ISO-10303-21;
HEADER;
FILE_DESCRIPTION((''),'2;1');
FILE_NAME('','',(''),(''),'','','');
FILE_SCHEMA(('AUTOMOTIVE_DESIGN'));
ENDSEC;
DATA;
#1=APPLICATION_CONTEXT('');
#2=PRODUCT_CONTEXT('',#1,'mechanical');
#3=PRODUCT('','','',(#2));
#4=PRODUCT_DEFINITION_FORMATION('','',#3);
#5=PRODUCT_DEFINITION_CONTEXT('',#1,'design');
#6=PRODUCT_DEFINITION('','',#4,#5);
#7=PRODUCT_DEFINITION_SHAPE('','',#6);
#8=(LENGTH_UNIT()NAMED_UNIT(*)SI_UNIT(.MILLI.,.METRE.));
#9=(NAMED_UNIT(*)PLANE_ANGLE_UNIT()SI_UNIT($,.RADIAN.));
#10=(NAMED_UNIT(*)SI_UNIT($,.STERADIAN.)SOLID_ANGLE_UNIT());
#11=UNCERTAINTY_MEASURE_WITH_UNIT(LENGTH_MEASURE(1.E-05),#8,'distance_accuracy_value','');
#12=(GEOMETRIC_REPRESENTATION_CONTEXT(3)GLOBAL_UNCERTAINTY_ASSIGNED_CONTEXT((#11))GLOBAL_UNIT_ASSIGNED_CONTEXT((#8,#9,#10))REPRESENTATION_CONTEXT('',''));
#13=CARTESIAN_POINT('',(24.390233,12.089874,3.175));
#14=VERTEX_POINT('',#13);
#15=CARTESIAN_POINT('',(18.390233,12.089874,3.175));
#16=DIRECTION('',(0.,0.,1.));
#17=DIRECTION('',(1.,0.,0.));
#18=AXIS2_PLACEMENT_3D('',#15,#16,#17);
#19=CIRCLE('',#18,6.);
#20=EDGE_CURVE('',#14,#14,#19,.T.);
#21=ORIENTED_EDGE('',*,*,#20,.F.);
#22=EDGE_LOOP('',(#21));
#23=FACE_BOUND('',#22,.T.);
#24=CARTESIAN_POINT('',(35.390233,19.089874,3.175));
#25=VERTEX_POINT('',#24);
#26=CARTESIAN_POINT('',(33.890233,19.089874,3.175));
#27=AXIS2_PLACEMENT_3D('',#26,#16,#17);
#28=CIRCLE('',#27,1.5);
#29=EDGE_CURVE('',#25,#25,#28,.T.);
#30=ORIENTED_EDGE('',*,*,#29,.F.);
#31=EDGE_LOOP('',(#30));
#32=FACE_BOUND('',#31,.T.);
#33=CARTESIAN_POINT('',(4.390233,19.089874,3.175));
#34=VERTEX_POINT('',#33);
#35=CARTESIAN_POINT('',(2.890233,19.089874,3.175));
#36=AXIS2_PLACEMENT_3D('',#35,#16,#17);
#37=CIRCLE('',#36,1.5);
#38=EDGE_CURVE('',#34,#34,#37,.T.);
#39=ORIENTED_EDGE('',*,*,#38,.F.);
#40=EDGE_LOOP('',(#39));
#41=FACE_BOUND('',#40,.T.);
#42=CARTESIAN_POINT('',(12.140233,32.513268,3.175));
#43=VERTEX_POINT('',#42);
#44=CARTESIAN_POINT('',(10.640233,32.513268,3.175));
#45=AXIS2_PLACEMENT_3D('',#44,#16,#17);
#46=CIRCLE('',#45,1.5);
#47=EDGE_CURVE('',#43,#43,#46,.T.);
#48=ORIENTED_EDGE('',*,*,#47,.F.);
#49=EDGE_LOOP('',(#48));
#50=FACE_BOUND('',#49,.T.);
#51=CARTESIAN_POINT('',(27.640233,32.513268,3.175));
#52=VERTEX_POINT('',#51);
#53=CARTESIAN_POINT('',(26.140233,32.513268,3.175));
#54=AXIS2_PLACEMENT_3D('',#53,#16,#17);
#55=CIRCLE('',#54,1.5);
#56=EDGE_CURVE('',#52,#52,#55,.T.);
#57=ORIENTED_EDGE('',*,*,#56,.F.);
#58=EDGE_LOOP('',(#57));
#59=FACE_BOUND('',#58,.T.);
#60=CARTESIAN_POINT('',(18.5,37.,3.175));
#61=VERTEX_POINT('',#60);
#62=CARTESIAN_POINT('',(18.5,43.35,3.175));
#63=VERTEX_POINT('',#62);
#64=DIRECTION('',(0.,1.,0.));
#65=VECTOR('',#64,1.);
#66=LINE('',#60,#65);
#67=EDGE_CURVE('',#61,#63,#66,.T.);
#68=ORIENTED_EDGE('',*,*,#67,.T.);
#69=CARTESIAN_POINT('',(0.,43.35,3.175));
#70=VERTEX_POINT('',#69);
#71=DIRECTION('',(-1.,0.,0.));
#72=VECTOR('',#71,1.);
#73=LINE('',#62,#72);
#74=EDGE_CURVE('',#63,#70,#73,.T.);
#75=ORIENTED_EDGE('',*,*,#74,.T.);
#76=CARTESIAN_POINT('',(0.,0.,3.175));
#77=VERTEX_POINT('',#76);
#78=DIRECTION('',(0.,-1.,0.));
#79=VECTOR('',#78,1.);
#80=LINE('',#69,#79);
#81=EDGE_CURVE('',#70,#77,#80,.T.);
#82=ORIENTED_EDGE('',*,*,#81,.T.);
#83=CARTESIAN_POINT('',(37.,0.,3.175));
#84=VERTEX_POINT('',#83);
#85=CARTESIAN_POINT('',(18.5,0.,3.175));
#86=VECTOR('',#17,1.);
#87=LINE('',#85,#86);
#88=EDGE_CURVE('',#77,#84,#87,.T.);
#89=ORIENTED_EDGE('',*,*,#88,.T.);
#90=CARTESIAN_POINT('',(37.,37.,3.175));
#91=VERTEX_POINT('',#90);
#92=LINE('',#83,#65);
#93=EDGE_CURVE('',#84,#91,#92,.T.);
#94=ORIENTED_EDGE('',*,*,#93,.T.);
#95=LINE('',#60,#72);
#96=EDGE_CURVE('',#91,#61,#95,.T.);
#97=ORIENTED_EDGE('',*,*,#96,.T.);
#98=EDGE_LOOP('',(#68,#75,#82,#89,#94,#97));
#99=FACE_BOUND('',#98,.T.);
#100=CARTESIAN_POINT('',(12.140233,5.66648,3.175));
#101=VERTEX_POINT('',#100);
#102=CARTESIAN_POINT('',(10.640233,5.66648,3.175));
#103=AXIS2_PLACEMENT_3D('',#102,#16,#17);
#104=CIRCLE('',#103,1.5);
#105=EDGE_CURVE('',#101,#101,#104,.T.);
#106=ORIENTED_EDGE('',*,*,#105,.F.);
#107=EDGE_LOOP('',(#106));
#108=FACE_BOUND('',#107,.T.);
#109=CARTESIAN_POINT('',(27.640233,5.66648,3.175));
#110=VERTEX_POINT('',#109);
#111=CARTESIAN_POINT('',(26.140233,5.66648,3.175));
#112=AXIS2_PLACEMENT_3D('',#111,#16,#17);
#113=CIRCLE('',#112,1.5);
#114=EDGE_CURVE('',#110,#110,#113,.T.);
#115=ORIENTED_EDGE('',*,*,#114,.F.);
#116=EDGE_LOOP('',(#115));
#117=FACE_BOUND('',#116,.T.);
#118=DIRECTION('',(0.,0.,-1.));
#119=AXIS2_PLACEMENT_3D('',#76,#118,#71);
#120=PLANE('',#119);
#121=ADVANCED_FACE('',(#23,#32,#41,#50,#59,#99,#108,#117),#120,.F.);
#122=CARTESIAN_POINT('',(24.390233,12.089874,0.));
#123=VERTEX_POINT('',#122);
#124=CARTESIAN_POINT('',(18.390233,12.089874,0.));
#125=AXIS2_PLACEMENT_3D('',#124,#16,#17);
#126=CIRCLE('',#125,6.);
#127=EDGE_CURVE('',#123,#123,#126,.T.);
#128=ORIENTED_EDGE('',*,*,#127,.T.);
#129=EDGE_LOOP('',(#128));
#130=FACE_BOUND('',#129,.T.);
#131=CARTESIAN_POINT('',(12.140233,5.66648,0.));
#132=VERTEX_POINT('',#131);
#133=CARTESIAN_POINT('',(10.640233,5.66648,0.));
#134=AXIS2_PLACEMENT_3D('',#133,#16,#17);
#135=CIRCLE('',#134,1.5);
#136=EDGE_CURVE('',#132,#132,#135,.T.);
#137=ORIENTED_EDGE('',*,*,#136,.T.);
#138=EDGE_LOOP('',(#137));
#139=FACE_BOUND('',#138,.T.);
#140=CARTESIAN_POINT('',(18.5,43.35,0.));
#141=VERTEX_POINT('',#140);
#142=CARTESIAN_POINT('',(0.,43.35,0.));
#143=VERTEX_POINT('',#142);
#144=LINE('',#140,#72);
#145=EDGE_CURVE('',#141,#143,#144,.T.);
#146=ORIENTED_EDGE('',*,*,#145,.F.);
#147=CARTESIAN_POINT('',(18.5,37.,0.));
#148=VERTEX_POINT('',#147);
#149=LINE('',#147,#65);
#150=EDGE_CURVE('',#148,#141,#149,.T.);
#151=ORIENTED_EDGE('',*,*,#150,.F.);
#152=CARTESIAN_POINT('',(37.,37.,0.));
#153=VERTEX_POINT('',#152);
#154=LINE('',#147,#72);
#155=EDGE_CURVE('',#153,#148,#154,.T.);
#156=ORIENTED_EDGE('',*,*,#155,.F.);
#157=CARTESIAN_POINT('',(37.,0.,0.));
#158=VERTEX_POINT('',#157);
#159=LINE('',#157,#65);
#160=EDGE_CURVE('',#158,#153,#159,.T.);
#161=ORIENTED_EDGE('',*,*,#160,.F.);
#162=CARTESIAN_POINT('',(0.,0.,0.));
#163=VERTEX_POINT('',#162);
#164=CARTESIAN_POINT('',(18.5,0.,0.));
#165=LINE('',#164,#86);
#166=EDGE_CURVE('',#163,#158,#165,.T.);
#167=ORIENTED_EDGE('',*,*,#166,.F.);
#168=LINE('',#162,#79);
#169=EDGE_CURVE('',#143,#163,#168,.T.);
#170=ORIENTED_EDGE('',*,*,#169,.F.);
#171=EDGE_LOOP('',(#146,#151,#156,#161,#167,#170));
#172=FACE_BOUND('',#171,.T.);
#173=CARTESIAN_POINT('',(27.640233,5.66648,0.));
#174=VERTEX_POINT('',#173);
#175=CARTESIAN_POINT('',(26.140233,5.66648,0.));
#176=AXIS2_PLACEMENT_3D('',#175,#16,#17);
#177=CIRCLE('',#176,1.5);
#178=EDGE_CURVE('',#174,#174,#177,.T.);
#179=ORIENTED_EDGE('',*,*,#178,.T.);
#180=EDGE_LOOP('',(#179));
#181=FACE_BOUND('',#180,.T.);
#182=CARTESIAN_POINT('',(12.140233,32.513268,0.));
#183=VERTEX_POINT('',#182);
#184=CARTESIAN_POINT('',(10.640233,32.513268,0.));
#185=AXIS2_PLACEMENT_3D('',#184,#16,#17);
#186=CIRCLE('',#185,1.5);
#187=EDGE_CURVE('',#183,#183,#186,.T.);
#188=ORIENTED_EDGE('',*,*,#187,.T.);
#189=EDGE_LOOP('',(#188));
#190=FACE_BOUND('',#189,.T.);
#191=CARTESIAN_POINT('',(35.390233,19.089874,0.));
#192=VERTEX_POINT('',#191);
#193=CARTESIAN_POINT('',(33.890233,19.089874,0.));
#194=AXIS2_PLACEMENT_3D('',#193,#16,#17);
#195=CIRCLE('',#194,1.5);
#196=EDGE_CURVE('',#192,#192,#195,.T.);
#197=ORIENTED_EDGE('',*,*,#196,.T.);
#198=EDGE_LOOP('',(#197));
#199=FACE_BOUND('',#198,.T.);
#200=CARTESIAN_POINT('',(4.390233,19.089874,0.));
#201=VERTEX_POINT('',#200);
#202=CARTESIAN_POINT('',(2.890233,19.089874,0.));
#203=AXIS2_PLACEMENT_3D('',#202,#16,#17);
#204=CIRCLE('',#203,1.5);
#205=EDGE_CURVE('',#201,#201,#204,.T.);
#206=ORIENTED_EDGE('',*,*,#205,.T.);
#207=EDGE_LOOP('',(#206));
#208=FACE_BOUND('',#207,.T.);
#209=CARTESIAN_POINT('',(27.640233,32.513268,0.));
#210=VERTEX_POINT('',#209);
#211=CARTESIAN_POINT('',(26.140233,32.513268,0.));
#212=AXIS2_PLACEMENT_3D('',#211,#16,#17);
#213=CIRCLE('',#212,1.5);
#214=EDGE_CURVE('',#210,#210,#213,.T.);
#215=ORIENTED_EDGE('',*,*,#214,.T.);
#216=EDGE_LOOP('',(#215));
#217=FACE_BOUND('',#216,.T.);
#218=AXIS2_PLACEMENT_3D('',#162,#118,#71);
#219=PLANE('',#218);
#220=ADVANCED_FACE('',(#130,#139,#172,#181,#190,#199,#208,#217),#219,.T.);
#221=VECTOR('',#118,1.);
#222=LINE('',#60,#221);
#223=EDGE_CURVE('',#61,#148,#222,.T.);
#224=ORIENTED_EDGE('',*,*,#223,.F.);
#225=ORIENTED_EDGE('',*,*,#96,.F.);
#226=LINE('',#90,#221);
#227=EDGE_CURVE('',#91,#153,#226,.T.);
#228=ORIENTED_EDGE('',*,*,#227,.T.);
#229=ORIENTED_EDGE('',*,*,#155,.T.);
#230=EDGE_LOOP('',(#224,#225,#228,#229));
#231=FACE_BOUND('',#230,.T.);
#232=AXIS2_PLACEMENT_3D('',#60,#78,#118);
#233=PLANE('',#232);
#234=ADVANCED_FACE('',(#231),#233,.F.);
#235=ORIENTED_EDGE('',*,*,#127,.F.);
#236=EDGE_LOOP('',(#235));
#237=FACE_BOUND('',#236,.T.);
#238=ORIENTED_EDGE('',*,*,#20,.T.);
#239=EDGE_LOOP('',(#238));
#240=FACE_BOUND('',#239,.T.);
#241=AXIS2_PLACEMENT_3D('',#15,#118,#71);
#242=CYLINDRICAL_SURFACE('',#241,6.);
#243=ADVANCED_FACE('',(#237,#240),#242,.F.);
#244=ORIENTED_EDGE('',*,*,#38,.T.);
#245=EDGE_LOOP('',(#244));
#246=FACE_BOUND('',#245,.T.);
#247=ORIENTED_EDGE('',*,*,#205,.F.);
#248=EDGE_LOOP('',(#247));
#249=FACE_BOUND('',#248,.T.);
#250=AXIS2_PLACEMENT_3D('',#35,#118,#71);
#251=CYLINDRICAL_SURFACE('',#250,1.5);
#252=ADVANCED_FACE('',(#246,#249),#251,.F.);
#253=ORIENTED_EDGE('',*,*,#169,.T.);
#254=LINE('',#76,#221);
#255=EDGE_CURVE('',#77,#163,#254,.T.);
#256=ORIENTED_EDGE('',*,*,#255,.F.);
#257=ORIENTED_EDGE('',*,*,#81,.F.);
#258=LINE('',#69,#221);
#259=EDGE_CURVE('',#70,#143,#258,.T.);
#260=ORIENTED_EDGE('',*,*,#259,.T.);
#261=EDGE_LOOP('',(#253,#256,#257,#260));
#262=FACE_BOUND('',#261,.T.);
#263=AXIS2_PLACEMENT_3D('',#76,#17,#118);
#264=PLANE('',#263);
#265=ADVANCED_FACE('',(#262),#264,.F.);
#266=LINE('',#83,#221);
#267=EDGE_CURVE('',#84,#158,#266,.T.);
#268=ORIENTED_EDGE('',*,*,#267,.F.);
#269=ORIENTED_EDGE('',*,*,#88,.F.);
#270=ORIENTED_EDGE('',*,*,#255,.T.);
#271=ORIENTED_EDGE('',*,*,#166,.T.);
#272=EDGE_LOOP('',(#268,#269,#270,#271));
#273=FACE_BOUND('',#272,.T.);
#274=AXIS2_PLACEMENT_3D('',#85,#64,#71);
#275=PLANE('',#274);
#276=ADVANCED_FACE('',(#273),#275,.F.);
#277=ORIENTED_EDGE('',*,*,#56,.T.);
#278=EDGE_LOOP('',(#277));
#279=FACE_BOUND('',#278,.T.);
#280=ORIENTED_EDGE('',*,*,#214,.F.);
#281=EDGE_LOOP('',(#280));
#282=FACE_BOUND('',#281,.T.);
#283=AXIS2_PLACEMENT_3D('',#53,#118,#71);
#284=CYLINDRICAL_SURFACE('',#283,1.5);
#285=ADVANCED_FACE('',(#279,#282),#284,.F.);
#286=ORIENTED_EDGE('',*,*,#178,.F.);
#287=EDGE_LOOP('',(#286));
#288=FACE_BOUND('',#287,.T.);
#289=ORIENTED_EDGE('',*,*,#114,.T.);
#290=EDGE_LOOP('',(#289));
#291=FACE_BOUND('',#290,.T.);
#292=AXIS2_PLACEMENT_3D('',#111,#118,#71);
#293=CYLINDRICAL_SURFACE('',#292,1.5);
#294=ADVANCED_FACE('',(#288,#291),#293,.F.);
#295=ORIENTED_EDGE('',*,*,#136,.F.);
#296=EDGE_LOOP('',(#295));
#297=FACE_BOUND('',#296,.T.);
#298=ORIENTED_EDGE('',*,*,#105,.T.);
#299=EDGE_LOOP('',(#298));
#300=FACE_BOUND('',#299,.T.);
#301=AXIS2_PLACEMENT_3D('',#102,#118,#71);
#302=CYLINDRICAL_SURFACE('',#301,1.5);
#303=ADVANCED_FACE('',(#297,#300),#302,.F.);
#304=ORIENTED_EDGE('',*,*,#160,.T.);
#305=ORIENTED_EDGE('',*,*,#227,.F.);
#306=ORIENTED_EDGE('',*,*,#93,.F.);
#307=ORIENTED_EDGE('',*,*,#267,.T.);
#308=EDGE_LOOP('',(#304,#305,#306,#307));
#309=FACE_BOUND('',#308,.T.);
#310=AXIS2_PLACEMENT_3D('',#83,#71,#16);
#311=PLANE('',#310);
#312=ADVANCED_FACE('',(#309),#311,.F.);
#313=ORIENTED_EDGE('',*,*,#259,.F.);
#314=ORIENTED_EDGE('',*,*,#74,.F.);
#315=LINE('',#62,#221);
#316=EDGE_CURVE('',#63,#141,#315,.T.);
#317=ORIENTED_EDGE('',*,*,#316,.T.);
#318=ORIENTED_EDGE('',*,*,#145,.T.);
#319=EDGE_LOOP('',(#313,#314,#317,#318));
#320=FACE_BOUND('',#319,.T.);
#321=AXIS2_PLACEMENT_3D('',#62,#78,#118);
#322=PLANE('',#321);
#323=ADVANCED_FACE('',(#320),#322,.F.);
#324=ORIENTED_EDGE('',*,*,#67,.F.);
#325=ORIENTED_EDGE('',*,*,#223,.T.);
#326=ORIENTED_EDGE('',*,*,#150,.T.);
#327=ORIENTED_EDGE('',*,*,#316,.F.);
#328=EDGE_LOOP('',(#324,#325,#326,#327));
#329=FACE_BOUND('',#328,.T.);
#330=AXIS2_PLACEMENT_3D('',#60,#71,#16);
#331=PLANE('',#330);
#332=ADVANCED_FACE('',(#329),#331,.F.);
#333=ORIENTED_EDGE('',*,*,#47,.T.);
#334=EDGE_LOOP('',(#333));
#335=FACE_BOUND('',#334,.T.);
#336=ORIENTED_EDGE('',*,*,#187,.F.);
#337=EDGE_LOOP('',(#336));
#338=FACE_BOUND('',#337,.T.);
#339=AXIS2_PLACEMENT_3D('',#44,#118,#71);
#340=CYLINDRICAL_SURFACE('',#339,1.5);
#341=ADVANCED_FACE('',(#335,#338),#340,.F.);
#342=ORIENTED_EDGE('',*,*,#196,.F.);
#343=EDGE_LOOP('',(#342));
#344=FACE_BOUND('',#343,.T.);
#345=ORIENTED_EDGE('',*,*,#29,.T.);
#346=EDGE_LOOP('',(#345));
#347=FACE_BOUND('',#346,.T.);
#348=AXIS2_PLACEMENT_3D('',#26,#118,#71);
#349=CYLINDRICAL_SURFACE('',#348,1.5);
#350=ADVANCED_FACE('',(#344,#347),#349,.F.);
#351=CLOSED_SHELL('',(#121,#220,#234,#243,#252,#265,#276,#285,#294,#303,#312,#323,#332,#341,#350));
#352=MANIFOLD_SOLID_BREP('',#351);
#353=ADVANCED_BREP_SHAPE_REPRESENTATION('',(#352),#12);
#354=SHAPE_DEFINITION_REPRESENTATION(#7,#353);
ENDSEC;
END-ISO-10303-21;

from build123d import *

# Parameters (mm, degrees)
SKETCH1_R           = 6
SKETCH1_R_2         = 1.5
BOSS_EXTRUDE1_DEPTH = 3.175


with BuildPart() as part:
    # Sketch1 → Boss-Extrude1 (new body)
    with BuildSketch(Plane.XY):
        Polygon((18.5, 0), (37, 0), (37, 37), (18.5, 37), (18.5, 43.35), (0, 43.35), (0, 37), (0, 0), align=None)
        with Locations((18.39023312, 12.089873912)):
            Circle(SKETCH1_R, mode=Mode.SUBTRACT)
        with Locations((2.89023312, 19.089873912)):
            Circle(SKETCH1_R_2, mode=Mode.SUBTRACT)
        with Locations((10.64023312, 5.666480153)):
            Circle(SKETCH1_R_2, mode=Mode.SUBTRACT)
        with Locations((26.14023312, 5.666480153)):
            Circle(SKETCH1_R_2, mode=Mode.SUBTRACT)
        with Locations((33.89023312, 19.089873912)):
            Circle(SKETCH1_R_2, mode=Mode.SUBTRACT)
        with Locations((26.14023312, 32.513267671)):
            Circle(SKETCH1_R_2, mode=Mode.SUBTRACT)
        with Locations((10.64023312, 32.513267671)):
            Circle(SKETCH1_R_2, mode=Mode.SUBTRACT)
    extrude(amount=BOSS_EXTRUDE1_DEPTH)


solid = part.part
